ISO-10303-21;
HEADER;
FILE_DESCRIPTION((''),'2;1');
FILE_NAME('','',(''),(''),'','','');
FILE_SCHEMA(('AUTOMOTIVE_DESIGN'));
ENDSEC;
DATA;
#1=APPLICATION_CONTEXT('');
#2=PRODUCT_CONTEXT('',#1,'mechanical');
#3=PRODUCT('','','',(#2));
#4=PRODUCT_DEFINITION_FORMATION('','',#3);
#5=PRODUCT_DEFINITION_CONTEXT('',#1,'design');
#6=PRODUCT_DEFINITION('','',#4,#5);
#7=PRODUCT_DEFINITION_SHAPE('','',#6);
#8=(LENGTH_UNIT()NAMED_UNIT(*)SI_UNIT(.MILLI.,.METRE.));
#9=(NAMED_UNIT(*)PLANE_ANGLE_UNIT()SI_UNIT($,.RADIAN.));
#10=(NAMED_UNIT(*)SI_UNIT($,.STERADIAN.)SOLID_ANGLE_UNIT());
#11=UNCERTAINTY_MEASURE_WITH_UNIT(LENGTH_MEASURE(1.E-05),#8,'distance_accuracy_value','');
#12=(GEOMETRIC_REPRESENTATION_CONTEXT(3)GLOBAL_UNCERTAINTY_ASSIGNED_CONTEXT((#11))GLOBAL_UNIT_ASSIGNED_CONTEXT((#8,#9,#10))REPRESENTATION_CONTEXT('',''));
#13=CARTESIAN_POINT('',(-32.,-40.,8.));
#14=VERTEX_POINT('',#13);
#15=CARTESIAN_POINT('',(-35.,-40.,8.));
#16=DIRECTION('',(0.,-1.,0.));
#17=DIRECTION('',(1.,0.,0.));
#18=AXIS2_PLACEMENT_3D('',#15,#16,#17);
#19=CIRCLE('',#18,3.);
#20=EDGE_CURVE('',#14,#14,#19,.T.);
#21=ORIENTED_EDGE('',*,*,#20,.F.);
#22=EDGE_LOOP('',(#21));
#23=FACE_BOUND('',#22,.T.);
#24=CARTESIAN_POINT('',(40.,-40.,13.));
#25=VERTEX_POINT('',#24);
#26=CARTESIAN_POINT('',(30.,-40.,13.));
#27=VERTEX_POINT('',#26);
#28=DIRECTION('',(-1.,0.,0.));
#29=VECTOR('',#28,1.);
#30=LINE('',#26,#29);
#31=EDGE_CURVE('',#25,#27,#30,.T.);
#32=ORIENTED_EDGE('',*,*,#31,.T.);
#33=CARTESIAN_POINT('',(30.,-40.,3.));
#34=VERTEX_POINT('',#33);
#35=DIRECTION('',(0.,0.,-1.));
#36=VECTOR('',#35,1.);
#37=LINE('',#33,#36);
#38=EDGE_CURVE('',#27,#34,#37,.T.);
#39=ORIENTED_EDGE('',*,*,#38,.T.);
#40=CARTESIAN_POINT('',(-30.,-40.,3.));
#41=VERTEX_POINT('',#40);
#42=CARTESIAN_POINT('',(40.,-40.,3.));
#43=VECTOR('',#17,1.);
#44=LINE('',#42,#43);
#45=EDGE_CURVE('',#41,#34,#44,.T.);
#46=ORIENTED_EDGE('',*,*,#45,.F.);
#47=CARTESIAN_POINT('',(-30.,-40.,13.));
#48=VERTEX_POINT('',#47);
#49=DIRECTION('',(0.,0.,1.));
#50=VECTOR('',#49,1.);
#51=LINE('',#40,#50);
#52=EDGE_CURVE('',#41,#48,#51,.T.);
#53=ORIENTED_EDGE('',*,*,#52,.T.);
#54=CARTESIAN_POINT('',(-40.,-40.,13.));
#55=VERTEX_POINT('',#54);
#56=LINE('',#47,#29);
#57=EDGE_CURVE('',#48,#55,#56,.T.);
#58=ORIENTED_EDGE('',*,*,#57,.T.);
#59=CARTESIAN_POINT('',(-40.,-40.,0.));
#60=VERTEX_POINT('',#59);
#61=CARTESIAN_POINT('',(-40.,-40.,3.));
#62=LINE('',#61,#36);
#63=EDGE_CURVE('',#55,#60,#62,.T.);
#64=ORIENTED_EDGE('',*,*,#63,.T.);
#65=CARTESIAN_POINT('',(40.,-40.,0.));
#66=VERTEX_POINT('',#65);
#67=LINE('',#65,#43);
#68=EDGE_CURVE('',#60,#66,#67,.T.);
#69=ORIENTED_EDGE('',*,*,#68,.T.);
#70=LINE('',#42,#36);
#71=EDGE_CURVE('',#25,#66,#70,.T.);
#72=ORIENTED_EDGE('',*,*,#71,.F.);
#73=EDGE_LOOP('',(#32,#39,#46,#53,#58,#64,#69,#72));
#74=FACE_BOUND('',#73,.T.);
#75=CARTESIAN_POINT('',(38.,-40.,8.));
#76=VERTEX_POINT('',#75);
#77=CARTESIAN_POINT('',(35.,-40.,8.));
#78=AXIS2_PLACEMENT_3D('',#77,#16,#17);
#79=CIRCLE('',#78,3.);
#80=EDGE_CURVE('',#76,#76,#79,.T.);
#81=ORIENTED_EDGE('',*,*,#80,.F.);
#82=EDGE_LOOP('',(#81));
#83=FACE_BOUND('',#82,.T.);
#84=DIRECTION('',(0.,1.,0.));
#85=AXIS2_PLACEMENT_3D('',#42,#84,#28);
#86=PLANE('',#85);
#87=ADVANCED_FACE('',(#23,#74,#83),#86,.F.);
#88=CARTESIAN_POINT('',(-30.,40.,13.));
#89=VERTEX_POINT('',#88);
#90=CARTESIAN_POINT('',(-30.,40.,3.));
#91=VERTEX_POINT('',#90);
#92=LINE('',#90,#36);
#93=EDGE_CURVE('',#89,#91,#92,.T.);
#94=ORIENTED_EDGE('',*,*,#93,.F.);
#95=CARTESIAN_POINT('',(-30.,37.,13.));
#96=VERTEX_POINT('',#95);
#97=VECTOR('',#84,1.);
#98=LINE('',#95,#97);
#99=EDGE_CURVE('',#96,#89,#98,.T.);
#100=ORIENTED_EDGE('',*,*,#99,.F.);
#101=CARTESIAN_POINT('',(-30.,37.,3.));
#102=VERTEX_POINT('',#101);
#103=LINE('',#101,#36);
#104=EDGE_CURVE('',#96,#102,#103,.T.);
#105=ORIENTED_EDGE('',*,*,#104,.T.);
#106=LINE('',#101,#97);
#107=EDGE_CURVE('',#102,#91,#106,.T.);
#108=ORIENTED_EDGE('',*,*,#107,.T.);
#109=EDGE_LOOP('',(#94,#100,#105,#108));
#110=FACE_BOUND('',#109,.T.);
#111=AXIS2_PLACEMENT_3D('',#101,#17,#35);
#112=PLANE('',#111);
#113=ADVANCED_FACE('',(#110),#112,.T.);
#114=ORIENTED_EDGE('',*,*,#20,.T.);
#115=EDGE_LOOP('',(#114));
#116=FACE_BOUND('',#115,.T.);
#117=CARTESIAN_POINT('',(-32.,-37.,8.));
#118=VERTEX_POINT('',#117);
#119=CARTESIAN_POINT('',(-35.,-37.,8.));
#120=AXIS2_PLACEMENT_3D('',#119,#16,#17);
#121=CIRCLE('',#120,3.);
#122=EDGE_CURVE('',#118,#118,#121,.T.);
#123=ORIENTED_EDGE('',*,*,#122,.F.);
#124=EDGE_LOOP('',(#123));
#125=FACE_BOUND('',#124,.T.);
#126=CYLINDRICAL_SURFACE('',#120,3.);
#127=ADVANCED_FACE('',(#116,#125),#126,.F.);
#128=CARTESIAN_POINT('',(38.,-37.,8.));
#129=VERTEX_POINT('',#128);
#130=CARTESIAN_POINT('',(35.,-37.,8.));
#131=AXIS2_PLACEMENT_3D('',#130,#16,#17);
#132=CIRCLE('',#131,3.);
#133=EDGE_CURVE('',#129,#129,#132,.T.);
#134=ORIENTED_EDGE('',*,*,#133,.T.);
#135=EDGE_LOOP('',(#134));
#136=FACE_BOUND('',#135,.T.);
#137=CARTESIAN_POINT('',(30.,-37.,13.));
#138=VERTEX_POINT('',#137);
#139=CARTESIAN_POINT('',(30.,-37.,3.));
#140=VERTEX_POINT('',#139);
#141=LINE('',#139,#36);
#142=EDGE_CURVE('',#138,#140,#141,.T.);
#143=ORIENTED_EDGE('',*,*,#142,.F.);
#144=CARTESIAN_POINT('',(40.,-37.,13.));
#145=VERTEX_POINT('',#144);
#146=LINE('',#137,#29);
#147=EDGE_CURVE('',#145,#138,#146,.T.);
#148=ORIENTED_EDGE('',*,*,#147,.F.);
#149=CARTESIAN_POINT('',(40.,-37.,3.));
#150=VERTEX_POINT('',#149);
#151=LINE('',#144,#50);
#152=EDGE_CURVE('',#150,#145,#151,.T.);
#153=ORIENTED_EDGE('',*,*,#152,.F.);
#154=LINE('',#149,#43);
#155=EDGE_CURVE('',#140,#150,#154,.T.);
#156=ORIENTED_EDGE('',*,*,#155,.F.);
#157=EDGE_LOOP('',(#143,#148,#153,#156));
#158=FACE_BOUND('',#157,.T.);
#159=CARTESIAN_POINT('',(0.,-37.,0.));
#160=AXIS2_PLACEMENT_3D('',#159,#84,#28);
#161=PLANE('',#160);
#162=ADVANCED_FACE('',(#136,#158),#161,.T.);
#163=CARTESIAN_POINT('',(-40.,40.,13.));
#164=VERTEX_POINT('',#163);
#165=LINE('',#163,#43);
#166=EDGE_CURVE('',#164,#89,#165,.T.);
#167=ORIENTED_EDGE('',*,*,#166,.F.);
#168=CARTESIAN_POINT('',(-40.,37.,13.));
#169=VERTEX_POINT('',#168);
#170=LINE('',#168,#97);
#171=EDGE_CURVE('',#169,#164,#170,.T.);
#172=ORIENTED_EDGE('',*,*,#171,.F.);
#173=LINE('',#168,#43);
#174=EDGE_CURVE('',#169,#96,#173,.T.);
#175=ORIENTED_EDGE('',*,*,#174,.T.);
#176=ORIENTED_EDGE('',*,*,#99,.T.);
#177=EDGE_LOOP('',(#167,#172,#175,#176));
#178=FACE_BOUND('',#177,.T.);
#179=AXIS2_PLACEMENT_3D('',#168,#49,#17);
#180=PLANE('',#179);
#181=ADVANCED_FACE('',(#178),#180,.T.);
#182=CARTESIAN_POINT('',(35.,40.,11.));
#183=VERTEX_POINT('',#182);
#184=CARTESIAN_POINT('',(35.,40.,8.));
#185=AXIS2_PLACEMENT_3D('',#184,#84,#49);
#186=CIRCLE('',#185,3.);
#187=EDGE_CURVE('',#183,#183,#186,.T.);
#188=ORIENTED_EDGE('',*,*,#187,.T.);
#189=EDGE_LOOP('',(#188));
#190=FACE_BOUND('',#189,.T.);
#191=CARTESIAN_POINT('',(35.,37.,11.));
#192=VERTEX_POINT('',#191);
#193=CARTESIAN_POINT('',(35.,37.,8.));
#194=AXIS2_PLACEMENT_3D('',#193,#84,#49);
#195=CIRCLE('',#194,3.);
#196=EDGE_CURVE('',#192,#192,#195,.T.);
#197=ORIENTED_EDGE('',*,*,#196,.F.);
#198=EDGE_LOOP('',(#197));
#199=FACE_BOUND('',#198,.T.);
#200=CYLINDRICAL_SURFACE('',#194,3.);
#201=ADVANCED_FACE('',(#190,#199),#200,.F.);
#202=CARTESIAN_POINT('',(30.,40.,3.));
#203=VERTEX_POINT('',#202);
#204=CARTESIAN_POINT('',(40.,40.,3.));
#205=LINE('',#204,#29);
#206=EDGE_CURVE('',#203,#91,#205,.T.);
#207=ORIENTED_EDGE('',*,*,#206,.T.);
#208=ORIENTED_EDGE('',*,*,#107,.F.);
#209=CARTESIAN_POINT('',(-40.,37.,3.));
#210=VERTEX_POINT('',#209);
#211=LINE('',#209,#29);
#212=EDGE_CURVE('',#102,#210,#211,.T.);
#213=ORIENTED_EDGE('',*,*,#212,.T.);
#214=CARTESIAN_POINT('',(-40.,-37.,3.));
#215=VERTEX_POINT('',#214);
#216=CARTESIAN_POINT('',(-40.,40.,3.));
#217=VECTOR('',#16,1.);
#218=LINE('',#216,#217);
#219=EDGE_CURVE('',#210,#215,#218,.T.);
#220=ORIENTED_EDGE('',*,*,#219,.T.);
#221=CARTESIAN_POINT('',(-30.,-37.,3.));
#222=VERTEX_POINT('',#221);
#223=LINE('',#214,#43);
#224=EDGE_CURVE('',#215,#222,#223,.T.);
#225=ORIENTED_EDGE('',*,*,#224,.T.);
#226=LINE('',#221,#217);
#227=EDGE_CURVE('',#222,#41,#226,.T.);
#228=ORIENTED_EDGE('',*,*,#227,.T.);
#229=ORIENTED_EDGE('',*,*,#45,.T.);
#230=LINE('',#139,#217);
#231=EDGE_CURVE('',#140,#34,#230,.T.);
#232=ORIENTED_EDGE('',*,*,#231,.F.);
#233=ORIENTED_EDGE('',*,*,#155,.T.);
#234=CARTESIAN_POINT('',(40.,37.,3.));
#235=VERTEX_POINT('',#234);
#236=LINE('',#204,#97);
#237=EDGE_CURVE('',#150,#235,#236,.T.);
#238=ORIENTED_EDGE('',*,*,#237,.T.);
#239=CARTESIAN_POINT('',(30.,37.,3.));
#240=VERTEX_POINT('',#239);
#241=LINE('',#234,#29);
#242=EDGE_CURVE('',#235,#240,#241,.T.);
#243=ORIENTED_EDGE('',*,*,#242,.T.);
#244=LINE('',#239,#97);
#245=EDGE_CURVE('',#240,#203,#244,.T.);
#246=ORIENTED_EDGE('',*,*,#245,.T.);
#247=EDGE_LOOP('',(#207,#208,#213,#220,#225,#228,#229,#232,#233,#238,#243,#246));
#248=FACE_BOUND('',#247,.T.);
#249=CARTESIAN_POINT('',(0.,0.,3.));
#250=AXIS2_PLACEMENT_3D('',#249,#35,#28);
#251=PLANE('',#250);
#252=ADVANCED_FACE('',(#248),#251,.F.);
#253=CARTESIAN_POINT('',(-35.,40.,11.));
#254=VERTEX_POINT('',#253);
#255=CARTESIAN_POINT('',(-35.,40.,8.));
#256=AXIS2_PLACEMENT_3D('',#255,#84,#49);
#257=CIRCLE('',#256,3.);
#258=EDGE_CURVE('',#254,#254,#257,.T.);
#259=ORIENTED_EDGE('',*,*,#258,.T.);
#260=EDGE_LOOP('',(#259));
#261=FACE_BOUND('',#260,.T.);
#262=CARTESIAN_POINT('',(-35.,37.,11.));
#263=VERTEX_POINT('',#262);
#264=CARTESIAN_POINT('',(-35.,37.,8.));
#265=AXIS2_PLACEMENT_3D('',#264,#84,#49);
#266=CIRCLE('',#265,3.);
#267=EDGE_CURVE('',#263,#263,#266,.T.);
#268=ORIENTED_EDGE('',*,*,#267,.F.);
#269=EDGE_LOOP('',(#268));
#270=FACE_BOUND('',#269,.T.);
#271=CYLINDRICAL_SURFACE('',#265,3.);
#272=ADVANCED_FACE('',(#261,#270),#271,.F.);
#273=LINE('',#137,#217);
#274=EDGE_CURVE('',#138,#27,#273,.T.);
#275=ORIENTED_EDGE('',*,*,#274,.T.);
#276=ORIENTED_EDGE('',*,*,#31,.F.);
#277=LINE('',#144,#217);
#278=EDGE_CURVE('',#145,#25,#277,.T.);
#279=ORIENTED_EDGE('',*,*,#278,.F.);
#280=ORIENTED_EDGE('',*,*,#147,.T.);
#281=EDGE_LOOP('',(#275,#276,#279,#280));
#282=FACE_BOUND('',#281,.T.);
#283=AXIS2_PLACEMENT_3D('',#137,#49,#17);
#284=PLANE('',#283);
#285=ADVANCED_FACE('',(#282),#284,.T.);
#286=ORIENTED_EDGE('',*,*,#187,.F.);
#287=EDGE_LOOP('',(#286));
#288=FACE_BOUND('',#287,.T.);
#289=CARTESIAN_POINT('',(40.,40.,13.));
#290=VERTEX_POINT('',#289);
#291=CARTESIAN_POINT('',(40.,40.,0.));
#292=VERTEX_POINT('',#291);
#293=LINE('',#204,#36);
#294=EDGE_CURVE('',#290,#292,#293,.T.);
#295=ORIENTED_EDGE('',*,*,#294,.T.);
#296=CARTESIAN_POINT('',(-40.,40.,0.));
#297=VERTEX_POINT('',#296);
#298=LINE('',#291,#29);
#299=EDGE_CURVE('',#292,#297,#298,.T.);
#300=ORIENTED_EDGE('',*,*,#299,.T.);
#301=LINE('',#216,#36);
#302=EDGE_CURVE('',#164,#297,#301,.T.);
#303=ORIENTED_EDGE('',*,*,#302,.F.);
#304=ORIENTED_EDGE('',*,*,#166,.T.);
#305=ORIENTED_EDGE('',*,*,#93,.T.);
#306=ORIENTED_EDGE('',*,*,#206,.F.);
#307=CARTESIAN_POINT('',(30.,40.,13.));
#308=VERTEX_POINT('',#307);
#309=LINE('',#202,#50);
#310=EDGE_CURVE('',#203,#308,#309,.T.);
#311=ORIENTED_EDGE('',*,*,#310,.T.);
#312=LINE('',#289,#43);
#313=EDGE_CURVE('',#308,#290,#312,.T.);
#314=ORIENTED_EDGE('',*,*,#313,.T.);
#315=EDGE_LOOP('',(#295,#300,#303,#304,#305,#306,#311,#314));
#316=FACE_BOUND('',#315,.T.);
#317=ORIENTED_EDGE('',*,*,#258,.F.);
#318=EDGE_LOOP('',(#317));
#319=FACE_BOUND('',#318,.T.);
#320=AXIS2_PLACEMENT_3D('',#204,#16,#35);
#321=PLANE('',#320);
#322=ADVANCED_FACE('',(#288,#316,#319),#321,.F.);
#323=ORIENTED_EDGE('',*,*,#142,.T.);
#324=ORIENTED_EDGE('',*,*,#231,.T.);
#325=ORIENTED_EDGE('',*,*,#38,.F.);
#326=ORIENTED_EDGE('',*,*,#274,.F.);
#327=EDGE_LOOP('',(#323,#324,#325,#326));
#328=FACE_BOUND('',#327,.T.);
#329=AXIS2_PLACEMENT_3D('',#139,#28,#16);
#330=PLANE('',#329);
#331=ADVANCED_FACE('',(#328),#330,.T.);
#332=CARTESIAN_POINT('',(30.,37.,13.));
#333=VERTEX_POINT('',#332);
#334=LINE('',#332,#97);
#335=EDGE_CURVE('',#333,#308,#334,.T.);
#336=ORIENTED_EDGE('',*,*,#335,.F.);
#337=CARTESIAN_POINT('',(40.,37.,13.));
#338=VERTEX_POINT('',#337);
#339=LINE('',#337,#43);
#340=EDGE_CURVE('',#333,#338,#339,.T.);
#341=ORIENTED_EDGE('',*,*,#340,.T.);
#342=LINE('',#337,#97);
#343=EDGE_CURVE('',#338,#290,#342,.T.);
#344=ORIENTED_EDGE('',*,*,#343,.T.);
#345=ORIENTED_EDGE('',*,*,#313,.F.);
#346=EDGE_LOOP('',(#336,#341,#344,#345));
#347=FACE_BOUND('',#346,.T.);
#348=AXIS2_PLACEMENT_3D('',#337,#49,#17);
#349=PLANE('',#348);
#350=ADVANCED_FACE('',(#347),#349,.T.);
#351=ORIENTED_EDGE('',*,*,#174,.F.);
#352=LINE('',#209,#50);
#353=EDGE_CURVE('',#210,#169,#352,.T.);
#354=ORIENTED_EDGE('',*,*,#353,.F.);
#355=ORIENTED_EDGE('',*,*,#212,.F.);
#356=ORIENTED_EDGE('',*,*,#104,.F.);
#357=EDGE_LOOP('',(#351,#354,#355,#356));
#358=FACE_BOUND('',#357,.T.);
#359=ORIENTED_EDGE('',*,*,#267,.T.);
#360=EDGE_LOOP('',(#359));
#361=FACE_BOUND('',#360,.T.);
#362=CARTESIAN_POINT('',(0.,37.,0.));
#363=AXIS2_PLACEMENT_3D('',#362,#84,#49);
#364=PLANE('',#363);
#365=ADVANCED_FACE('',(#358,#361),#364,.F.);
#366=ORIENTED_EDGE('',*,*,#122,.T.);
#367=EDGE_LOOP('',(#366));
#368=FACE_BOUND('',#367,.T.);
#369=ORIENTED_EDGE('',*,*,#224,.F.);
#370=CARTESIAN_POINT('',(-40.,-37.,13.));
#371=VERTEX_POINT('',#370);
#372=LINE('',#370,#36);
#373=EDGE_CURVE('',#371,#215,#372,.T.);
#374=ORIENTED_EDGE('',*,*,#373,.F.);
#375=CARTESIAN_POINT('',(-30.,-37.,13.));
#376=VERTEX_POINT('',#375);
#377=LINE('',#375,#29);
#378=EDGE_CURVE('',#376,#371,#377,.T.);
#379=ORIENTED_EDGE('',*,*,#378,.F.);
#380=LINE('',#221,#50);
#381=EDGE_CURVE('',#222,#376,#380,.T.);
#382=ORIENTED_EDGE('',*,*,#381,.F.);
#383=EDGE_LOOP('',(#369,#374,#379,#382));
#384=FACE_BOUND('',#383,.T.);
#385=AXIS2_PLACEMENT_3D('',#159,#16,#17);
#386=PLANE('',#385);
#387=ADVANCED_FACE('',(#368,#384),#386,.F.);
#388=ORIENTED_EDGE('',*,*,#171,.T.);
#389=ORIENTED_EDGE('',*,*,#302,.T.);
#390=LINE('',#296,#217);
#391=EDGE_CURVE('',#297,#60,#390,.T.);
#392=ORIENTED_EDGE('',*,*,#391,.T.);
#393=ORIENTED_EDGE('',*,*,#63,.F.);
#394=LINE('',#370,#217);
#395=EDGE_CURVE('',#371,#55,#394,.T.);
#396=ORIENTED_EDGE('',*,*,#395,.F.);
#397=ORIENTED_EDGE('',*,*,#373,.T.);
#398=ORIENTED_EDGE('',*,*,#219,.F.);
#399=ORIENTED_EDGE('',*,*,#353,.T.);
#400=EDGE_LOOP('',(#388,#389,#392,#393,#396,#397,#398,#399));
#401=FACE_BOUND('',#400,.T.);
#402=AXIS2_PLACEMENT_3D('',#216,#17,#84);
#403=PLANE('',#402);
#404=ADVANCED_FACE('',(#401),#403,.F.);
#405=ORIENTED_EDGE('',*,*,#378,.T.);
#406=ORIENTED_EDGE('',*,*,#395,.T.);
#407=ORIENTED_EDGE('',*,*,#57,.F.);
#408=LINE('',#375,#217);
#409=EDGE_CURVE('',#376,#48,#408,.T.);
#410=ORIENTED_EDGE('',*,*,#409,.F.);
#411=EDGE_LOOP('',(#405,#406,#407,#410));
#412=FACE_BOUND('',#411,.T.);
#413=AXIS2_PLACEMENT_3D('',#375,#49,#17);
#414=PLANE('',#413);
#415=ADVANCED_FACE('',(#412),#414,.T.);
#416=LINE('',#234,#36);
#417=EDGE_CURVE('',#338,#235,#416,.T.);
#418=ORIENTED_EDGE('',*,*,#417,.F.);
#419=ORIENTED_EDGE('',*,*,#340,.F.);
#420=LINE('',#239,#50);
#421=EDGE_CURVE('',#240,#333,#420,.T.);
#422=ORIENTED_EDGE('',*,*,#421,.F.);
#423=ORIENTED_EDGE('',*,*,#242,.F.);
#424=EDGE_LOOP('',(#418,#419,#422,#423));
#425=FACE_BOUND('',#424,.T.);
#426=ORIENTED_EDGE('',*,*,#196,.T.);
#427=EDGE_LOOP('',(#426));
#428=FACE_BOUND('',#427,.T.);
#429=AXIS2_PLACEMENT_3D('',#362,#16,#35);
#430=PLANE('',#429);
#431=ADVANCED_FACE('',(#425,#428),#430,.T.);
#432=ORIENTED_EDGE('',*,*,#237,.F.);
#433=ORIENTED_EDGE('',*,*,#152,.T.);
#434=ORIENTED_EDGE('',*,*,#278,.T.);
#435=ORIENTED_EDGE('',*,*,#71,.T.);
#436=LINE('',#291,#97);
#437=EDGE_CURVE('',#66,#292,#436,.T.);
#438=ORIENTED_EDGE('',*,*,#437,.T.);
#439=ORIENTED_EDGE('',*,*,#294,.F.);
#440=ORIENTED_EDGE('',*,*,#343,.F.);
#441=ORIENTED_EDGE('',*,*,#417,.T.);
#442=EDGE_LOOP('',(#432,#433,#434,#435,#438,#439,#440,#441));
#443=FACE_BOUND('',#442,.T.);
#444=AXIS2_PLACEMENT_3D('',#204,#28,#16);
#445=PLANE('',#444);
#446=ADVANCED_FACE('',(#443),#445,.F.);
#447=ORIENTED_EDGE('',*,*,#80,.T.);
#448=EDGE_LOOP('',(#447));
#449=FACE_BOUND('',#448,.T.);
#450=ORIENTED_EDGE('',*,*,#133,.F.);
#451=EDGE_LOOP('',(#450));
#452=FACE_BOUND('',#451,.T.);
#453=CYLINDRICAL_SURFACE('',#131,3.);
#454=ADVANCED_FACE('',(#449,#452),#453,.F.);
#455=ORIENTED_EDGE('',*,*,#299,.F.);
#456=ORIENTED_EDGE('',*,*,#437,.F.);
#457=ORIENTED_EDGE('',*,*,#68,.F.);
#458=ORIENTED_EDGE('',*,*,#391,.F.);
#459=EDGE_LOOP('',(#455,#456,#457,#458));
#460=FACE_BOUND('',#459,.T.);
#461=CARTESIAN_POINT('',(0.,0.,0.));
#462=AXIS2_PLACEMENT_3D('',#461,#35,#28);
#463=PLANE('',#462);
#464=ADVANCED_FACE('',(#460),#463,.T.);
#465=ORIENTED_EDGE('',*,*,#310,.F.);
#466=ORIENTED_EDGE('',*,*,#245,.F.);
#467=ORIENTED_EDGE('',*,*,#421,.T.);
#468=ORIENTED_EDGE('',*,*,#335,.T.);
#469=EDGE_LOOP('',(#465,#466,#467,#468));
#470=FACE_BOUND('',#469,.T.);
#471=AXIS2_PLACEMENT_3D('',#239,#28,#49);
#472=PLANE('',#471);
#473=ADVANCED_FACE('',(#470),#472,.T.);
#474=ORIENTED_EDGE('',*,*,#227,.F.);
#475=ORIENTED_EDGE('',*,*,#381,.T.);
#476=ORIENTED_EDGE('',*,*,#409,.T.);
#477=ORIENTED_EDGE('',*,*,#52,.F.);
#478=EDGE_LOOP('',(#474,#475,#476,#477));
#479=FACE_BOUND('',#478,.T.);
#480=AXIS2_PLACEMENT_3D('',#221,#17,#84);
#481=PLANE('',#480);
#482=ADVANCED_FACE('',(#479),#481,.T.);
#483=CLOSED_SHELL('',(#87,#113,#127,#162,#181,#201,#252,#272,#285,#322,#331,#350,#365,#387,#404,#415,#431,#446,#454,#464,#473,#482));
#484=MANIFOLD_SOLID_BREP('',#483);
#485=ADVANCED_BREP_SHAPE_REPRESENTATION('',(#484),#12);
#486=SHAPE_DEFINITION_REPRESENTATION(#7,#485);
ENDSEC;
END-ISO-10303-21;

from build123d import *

# Parameters (mm, degrees)
SKETCH1_W           = 80
SKETCH1_H           = 80
BOSS_EXTRUDE1_DEPTH = 3
SKETCH9_W           = 10
SKETCH9_H           = 10
SKETCH9_R           = 3
BOSS_EXTRUDE8_DEPTH = 3
BOSS_EXTRUDE9_START = -3
SKETCH10_W          = 10
SKETCH10_H          = 10
SKETCH10_R          = 3
BOSS_EXTRUDE9_DEPTH = 3


with BuildPart() as part:
    # Sketch1 → Boss-Extrude1 (new body)
    with BuildSketch(Plane.XY):
        Rectangle(SKETCH1_W, SKETCH1_H)
    extrude(amount=BOSS_EXTRUDE1_DEPTH)

    # Sketch9 → Boss-Extrude8 (add)
    # profile 1 of 2: a face of its own
    with BuildSketch(Plane(origin=(0, 40, 0), x_dir=(1, 0, 0), z_dir=(0, 1, 0))):
        with Locations((-35, -8)):
            Rectangle(SKETCH9_W, SKETCH9_H)
        with Locations(Location((-35, -8, 0), (0, 0, 270))):
            Circle(SKETCH9_R, mode=Mode.SUBTRACT)
    # profile 2 of 2: a face of its own
    with BuildSketch(Plane(origin=(0, 40, 0), x_dir=(1, 0, 0), z_dir=(0, 1, 0))):
        with Locations((35, -8)):
            Rectangle(SKETCH9_W, SKETCH9_H)
        with Locations(Location((35, -8, 0), (0, 0, 270))):
            Circle(SKETCH9_R, mode=Mode.SUBTRACT)
    extrude(amount=-BOSS_EXTRUDE8_DEPTH)

    # Sketch10 → Boss-Extrude9 (add)
    # profile 1 of 2: a face of its own
    with BuildSketch(Plane.XZ.offset(40).offset(BOSS_EXTRUDE9_START)):
        with Locations((-35, 8)):
            Rectangle(SKETCH10_W, SKETCH10_H)
        with Locations(Location((-35, 8, 0), (0, 0, 90))):
            Circle(SKETCH10_R, mode=Mode.SUBTRACT)
    # profile 2 of 2: a face of its own
    with BuildSketch(Plane.XZ.offset(40).offset(BOSS_EXTRUDE9_START)):
        with Locations((35, 8)):
            Rectangle(SKETCH10_W, SKETCH10_H)
        with Locations(Location((35, 8, 0), (0, 0, 90))):
            Circle(SKETCH10_R, mode=Mode.SUBTRACT)
    extrude(amount=BOSS_EXTRUDE9_DEPTH)


solid = part.part
